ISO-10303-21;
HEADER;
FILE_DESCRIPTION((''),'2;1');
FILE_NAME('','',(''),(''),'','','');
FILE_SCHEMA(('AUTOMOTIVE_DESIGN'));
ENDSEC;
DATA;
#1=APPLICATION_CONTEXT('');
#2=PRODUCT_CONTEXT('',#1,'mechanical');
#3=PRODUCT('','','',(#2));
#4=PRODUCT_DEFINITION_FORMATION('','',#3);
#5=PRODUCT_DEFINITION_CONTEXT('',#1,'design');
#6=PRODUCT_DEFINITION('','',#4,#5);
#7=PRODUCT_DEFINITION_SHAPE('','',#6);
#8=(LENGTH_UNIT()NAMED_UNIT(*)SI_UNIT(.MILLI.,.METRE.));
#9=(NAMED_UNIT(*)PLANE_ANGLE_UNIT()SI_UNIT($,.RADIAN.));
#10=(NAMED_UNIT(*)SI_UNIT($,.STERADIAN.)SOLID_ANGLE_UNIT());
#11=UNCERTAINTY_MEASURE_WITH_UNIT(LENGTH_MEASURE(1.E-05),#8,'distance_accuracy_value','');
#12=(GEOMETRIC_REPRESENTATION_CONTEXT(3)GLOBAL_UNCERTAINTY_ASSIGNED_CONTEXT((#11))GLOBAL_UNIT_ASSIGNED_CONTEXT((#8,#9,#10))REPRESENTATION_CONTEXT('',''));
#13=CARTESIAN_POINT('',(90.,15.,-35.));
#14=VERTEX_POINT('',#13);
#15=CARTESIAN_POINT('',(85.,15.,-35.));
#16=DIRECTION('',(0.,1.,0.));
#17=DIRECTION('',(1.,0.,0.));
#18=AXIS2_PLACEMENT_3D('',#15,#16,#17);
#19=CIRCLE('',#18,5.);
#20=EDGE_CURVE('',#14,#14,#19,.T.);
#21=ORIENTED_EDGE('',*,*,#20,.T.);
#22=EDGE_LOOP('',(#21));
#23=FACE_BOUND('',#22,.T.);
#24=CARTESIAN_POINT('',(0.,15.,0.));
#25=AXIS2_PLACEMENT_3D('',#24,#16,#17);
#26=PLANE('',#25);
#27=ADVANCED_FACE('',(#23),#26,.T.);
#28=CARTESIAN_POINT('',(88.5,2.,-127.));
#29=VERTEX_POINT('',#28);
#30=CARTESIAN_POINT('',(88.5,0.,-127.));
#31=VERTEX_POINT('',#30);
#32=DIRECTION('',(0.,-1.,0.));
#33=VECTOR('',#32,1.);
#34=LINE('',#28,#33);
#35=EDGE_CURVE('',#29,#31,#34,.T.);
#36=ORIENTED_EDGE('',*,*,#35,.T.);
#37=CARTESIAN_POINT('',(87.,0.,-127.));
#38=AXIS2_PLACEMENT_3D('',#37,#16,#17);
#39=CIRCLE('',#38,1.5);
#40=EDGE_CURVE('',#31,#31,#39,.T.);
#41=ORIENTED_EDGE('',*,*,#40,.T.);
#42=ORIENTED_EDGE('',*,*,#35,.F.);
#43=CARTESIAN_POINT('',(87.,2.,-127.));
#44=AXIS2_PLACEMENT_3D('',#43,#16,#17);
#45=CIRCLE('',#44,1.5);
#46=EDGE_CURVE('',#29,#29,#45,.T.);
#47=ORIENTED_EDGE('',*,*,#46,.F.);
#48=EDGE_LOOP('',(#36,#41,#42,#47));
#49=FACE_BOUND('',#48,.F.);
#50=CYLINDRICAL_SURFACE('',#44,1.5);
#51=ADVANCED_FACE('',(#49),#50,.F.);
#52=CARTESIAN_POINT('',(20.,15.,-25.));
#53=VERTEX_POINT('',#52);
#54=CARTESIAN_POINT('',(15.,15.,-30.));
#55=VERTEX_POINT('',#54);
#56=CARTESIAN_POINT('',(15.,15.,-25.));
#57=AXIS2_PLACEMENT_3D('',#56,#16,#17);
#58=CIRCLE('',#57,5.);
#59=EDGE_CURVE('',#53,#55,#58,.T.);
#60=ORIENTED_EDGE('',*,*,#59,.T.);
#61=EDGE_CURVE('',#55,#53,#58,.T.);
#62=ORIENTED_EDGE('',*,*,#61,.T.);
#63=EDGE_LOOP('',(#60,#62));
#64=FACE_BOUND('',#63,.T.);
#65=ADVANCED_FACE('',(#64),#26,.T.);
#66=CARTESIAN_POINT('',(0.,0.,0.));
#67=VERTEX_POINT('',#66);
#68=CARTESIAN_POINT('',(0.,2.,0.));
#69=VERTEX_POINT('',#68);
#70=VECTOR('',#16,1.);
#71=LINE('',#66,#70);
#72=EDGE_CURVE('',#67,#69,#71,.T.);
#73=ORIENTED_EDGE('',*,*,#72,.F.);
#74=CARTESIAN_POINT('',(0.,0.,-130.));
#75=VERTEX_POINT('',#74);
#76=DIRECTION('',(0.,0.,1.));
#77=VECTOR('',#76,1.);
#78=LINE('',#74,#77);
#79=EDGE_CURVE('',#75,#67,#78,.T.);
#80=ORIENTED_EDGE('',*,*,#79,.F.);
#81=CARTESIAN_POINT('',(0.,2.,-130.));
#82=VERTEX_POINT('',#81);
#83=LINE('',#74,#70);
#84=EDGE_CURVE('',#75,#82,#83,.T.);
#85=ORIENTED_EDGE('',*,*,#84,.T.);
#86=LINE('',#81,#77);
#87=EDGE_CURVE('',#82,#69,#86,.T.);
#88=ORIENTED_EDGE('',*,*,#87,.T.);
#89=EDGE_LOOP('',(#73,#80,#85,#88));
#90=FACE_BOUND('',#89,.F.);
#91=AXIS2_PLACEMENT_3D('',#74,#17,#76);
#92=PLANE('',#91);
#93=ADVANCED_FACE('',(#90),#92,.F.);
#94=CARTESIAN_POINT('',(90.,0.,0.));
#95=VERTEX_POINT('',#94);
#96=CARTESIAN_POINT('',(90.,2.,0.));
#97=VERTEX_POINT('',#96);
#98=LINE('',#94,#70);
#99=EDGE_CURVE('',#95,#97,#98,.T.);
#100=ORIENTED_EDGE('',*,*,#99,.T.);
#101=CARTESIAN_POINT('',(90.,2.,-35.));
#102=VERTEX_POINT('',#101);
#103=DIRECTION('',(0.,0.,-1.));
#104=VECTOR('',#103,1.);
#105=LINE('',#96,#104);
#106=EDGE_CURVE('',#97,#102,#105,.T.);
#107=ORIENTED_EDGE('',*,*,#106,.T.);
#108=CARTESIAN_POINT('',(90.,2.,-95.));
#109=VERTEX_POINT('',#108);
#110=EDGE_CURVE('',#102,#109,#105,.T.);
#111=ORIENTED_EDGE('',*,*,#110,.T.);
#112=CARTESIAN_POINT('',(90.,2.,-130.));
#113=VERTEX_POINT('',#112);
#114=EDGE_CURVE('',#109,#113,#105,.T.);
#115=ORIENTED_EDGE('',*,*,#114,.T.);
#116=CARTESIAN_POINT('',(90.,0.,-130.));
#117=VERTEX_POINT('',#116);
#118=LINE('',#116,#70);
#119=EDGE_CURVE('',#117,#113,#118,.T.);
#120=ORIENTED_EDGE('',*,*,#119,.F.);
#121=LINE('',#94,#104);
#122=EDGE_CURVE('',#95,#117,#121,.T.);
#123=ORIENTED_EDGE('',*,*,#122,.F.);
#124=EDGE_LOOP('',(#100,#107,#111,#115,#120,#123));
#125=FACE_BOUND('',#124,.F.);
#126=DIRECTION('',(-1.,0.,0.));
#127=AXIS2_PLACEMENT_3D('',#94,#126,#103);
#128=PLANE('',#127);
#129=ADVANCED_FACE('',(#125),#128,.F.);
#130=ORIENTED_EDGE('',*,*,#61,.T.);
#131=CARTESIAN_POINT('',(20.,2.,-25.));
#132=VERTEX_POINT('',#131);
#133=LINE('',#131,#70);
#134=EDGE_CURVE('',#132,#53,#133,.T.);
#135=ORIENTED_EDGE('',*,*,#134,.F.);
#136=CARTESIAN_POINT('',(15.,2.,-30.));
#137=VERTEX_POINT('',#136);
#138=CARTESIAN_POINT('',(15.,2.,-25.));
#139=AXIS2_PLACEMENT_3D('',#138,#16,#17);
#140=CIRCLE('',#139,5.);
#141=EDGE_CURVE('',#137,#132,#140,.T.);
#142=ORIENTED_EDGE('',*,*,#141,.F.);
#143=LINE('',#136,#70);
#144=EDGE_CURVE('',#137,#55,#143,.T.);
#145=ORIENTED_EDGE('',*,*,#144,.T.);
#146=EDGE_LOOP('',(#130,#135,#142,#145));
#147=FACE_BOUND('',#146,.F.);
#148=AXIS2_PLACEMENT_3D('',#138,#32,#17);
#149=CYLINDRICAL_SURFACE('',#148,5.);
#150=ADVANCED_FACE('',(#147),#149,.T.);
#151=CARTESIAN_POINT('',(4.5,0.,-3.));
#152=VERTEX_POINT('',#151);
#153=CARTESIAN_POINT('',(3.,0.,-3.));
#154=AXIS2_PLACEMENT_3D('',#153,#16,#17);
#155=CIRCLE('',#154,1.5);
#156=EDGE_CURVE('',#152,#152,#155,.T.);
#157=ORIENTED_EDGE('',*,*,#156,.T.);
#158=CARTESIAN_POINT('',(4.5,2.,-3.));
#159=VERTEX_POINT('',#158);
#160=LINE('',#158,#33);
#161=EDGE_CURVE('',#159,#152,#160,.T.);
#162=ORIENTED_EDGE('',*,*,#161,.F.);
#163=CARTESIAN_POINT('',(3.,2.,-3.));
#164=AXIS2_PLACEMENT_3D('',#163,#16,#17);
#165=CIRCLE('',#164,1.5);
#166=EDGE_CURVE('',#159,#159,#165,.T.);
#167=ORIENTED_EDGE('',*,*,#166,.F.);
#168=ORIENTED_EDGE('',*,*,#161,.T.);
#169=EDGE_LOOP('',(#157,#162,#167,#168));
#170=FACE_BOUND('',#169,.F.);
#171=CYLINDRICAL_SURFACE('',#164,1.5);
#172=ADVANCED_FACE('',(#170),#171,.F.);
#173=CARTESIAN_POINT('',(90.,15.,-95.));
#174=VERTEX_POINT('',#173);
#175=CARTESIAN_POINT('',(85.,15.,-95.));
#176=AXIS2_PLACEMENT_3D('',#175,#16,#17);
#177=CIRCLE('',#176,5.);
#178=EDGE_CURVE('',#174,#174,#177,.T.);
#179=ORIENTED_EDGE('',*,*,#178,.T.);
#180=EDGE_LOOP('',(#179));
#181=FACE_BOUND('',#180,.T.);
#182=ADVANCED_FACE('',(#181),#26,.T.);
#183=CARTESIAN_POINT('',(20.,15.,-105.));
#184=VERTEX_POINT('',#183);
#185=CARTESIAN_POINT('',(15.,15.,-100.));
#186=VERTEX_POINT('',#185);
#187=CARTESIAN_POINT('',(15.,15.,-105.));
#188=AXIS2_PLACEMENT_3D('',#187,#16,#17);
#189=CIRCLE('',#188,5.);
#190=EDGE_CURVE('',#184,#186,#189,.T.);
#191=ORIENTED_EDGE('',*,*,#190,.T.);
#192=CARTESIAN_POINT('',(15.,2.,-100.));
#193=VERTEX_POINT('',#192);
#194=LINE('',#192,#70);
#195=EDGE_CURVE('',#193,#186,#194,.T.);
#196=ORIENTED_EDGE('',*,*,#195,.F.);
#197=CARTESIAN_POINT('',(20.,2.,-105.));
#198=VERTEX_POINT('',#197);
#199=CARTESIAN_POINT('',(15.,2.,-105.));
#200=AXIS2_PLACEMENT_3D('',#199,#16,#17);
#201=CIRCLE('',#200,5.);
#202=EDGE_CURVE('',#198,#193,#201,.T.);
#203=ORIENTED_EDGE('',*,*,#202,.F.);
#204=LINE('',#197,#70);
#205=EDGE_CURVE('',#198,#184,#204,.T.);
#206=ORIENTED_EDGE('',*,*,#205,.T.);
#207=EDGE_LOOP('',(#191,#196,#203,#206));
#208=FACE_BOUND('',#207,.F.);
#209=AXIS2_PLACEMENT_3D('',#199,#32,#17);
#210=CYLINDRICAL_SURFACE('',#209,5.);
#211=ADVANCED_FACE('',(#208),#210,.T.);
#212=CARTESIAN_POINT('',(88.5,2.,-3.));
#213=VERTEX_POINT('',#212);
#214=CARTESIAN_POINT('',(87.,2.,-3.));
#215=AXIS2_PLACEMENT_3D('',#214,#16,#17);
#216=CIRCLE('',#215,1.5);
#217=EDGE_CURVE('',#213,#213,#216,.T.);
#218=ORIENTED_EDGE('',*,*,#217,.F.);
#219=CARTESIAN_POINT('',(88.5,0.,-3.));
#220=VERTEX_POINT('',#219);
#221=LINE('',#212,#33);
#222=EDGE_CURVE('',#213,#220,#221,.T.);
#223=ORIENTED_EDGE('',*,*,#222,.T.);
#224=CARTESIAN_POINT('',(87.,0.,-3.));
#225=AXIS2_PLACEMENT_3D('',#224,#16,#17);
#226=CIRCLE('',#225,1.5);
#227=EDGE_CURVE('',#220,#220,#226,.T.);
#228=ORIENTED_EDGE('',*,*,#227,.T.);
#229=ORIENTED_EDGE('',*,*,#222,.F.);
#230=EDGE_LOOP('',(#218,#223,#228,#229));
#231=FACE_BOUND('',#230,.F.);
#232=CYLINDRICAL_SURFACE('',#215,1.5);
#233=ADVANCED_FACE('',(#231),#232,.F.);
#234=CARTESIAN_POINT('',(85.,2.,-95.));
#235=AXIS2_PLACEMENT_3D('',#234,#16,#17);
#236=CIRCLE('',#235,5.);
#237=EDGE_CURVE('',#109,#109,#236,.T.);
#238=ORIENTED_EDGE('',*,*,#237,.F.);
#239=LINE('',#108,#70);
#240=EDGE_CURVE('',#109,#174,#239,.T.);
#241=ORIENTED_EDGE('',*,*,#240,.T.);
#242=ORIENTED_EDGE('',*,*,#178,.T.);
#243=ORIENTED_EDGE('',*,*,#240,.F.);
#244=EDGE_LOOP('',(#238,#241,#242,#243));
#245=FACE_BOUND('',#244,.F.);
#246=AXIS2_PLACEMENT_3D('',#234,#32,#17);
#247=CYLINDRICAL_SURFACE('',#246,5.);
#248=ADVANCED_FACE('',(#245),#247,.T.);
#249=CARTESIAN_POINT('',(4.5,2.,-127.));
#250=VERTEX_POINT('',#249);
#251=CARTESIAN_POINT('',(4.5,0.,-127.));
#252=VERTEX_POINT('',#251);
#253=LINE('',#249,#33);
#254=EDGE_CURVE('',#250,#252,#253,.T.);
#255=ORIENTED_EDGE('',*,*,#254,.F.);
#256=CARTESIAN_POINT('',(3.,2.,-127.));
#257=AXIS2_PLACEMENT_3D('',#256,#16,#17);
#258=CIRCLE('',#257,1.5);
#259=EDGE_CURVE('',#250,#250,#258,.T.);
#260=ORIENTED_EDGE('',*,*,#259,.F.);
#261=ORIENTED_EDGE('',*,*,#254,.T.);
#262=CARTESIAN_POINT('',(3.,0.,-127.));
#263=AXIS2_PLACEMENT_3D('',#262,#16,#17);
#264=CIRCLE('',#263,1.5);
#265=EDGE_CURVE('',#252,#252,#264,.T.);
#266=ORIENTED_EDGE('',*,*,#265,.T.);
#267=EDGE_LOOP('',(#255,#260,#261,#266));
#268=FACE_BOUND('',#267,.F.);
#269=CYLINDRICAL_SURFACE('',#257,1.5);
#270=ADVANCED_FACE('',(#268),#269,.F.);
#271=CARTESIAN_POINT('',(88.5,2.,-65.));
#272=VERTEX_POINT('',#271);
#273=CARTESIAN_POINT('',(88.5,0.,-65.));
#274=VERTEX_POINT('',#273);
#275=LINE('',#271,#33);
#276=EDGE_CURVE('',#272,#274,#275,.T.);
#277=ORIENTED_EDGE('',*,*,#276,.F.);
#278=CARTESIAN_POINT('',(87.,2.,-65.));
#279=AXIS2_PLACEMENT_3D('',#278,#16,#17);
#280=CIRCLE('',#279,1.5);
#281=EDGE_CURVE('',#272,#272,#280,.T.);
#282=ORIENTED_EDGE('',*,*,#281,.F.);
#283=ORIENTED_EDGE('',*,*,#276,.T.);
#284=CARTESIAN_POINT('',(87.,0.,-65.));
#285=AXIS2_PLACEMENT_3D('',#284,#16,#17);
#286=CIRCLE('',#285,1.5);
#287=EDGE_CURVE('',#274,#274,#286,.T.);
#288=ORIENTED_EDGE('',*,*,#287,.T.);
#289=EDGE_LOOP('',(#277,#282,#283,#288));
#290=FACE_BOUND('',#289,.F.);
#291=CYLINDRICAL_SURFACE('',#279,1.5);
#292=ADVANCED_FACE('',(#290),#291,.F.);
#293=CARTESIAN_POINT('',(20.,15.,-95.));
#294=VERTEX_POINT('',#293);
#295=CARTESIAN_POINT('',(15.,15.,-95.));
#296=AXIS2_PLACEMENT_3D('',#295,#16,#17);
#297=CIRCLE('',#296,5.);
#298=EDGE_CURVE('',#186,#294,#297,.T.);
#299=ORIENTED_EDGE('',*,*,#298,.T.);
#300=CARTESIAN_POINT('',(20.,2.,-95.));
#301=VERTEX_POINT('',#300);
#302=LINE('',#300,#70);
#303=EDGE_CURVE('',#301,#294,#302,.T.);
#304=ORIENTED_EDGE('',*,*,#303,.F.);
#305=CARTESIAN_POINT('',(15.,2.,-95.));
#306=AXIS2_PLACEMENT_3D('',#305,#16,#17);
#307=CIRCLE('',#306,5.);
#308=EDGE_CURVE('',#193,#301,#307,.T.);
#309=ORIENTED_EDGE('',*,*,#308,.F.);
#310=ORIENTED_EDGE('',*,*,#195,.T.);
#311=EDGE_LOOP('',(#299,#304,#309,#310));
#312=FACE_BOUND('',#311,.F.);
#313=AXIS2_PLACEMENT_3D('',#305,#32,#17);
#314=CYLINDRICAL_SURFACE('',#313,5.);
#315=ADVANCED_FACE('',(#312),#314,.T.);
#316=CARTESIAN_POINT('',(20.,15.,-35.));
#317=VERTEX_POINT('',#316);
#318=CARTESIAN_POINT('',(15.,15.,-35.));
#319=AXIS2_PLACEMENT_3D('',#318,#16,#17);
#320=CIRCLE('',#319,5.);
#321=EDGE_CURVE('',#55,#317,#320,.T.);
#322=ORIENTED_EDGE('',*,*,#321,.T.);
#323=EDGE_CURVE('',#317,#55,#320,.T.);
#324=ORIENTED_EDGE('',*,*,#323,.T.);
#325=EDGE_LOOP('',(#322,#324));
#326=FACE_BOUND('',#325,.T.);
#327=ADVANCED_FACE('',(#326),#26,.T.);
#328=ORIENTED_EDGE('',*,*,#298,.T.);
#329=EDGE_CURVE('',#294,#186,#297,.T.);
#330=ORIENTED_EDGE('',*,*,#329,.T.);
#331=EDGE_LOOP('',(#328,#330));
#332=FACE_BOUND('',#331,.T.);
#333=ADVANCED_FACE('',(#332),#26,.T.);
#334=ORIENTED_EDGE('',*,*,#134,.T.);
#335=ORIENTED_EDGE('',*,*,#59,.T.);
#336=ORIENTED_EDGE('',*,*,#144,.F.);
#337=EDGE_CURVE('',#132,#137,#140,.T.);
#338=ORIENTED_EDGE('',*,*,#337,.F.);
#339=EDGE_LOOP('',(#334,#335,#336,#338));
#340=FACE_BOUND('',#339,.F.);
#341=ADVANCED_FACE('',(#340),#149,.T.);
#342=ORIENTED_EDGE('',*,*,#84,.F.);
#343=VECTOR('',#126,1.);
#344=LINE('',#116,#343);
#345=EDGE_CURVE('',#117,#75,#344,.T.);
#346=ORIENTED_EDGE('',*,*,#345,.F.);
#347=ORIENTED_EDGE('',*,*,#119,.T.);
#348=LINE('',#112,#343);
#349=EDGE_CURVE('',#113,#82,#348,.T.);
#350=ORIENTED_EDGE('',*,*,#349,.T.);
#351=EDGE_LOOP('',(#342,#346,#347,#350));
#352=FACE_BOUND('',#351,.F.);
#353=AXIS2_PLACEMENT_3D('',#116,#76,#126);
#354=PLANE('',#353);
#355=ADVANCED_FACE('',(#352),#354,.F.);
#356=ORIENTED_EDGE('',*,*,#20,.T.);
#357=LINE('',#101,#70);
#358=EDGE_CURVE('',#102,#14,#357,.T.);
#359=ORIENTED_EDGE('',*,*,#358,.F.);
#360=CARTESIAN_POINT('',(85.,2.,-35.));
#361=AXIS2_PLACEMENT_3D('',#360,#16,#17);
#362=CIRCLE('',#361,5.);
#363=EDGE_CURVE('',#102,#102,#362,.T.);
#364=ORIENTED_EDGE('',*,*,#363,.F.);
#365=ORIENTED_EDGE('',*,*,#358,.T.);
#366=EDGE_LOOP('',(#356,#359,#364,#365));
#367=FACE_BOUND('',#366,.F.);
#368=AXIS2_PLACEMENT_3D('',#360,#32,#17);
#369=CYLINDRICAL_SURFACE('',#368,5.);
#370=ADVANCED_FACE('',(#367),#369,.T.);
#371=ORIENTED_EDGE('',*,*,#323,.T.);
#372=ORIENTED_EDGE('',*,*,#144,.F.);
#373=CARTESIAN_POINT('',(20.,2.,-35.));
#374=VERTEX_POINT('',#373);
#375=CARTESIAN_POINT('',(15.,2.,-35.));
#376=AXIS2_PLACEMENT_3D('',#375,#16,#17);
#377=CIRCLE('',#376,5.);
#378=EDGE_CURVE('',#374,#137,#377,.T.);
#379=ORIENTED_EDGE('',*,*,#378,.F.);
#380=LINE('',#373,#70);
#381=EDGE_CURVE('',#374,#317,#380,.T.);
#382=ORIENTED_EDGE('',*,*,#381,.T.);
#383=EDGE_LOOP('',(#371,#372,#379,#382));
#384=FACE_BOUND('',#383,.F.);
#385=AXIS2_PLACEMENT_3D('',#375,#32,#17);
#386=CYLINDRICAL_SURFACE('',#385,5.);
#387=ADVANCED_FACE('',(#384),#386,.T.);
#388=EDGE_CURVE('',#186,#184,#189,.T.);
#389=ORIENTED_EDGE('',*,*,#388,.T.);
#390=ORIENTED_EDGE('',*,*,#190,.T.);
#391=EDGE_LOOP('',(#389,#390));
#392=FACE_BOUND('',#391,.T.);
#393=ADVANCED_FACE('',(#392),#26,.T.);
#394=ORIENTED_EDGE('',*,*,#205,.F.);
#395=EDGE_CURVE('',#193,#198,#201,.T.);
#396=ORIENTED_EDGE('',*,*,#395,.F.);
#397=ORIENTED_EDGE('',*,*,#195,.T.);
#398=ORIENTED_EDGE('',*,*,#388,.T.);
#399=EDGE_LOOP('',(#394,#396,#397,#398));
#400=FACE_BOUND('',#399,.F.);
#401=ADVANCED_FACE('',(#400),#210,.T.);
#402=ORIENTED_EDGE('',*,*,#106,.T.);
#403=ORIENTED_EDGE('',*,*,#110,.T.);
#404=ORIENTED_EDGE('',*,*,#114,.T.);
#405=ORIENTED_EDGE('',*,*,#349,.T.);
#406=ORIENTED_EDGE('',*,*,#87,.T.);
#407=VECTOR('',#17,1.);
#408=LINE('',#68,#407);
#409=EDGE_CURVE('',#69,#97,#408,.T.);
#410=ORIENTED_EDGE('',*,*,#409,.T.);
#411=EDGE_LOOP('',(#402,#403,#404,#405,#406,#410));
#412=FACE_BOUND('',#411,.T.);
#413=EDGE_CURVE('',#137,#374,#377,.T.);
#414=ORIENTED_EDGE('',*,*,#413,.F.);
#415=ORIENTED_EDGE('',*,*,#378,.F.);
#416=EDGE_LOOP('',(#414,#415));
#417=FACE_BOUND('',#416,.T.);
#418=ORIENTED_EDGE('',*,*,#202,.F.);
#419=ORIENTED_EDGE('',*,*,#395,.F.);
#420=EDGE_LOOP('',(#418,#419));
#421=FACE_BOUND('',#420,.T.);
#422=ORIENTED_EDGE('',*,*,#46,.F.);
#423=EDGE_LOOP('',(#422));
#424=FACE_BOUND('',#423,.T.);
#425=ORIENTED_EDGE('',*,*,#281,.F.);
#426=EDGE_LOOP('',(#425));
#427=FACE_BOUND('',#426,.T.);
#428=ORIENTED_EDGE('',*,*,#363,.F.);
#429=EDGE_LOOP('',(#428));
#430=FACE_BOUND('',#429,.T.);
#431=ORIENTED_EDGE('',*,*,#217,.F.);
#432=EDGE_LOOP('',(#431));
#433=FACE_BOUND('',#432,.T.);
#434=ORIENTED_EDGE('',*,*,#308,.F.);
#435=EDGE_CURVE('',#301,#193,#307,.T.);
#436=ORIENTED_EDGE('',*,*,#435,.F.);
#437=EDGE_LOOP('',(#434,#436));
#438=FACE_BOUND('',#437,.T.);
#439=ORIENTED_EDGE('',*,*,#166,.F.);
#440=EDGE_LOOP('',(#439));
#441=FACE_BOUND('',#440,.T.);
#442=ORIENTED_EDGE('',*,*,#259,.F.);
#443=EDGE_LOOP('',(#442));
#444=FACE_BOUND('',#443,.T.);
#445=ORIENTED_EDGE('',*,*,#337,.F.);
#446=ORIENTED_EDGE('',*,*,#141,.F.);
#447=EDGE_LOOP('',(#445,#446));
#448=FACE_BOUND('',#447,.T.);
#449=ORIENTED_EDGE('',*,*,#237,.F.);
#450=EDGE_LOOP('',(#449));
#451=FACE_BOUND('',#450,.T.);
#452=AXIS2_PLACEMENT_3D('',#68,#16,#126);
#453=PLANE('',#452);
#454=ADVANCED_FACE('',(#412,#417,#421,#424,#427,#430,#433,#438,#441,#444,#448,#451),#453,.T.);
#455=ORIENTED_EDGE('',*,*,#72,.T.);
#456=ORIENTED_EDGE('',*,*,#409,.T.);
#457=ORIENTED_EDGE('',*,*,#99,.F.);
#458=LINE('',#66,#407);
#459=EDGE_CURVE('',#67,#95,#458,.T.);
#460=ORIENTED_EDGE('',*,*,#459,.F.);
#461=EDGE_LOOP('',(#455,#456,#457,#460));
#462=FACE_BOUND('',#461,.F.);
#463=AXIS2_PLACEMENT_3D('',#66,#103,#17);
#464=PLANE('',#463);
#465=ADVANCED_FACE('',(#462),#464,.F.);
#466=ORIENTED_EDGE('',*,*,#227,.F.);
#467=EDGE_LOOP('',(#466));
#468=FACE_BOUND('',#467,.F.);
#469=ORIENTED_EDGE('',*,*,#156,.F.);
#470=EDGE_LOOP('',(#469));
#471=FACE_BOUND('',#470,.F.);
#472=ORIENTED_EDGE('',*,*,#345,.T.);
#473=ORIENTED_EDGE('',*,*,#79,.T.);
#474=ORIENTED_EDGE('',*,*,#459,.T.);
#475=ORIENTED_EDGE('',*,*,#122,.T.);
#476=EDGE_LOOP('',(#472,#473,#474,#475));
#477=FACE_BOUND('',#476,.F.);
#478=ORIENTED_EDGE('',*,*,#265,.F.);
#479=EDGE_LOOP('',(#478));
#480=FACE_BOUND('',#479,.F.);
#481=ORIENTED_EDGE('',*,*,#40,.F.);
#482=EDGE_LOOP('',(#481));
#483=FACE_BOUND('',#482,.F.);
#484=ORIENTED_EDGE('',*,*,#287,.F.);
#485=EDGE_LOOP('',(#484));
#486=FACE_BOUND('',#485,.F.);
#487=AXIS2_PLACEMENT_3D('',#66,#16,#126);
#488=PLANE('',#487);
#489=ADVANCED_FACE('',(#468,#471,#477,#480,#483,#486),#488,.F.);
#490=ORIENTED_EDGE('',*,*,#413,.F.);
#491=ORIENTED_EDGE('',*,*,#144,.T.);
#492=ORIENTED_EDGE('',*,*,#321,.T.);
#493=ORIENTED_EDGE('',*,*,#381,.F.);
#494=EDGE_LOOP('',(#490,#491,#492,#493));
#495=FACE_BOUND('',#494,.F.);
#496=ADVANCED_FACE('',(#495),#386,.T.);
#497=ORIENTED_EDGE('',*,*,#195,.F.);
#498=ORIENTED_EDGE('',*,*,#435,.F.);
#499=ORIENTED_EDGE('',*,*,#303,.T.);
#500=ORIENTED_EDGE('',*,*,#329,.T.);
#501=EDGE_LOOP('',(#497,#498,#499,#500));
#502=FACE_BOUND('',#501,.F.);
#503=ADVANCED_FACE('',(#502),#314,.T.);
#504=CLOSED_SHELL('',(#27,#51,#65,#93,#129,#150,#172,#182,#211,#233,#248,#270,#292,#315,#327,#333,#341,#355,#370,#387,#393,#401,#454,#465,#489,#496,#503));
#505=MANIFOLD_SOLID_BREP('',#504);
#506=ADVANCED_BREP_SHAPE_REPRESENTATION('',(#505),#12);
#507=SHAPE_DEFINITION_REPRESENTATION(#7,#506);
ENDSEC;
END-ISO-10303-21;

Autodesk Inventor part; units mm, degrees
ref_plane "YZ Plane" through (0, 0, 0) normal (1, 0, 0) x (0, 1, 0)
ref_plane "XZ Plane" through (0, 0, 0) normal (0, 1, 0) x (-1, 0, 0)
ref_plane "XY Plane" through (0, 0, 0) normal (0, 0, 1) x (1, 0, 0)
sketch "스케치1" plane through (0, 0, 0) normal (0, 1, 0) x (-1, 0, 0)
  line L0 (0, 0) -> (-90, 0)
  line L1 (-90, 0) -> (-90, -130)
  line L2 (-90, -130) -> (0, -130)
  line L3 (0, -130) -> (0, 0)
  dimension "d0" = 90
  dimension "d1" = 130
extrude "돌출1" add sketch "스케치1" along normal blind 2
sketch "스케치2" plane through (0, 2, 0) normal (0, 1, 0) x (1, 0, 0)
  circle A0 centre (85, 95) radius 5
  circle A1 centre (85, 35) radius 5
  line L0 (0, 0) -> (90, 0) projected
  line L1 (90, 0) -> (90, 130) projected
  line L2 (90, 130) -> (0, 130) projected
  line L3 (0, 130) -> (0, 0) projected
  circle A2 centre (15, 105) radius 5
  circle A3 centre (15, 95) radius 5
  circle A4 centre (15, 35) radius 5
  circle A5 centre (15, 25) radius 5
  dimension "d4" = 10
  dimension "d5" = 10
  dimension "d6" = 5
  dimension "d7" = 5
  dimension "d8" = 35
  dimension "d9" = 35
  dimension "d10" = 10
  dimension "d11" = 10
  dimension "d12" = 10
  dimension "d13" = 10
  dimension "d14" = 25
  dimension "d15" = 10
  dimension "d16" = 25
  dimension "d17" = 10
  dimension "d18" = 15
  dimension "d19" = 15
  dimension "d20" = 15
  dimension "d21" = 15
extrude "돌출2" add sketch "스케치2" along normal blind 13 contours A0 | A1 | A2 | A3 | A4 | A5
sketch "스케치3" plane through (0, 2, 0) normal (0, 1, 0) x (1, 0, 0)
  circle A0 centre (87, 127) radius 1.5
  circle A1 centre (87, 65) radius 1.5
  circle A2 centre (87, 3) radius 1.5
  line L0 (90, 0) -> (90, 130) projected
  line L1 (90, 130) -> (0, 130) projected
  line L2 (0, 0) -> (90, 0) projected
  circle A3 centre (3, 127) radius 1.5
  circle A4 centre (3, 3) radius 1.5
  line L3 (0, 130) -> (0, 0) projected
  dimension "d24" = 3
  dimension "d25" = 3
  dimension "d26" = 3
  dimension "d27" = 3
  dimension "d28" = 3
  dimension "d29" = 3
  dimension "d30" = 3
  dimension "d31" = 3
  dimension "d32" = 62
  dimension "d33" = 3
  dimension "d34" = 3
  dimension "d35" = 3
  dimension "d36" = 3
  dimension "d37" = 3
  dimension "d38" = 3
extrude "돌출3" cut sketch "스케치3" against normal blind 2 contours A0 | A1 | A2 | A3 | A4
properties part number "13090모터드라이브"
